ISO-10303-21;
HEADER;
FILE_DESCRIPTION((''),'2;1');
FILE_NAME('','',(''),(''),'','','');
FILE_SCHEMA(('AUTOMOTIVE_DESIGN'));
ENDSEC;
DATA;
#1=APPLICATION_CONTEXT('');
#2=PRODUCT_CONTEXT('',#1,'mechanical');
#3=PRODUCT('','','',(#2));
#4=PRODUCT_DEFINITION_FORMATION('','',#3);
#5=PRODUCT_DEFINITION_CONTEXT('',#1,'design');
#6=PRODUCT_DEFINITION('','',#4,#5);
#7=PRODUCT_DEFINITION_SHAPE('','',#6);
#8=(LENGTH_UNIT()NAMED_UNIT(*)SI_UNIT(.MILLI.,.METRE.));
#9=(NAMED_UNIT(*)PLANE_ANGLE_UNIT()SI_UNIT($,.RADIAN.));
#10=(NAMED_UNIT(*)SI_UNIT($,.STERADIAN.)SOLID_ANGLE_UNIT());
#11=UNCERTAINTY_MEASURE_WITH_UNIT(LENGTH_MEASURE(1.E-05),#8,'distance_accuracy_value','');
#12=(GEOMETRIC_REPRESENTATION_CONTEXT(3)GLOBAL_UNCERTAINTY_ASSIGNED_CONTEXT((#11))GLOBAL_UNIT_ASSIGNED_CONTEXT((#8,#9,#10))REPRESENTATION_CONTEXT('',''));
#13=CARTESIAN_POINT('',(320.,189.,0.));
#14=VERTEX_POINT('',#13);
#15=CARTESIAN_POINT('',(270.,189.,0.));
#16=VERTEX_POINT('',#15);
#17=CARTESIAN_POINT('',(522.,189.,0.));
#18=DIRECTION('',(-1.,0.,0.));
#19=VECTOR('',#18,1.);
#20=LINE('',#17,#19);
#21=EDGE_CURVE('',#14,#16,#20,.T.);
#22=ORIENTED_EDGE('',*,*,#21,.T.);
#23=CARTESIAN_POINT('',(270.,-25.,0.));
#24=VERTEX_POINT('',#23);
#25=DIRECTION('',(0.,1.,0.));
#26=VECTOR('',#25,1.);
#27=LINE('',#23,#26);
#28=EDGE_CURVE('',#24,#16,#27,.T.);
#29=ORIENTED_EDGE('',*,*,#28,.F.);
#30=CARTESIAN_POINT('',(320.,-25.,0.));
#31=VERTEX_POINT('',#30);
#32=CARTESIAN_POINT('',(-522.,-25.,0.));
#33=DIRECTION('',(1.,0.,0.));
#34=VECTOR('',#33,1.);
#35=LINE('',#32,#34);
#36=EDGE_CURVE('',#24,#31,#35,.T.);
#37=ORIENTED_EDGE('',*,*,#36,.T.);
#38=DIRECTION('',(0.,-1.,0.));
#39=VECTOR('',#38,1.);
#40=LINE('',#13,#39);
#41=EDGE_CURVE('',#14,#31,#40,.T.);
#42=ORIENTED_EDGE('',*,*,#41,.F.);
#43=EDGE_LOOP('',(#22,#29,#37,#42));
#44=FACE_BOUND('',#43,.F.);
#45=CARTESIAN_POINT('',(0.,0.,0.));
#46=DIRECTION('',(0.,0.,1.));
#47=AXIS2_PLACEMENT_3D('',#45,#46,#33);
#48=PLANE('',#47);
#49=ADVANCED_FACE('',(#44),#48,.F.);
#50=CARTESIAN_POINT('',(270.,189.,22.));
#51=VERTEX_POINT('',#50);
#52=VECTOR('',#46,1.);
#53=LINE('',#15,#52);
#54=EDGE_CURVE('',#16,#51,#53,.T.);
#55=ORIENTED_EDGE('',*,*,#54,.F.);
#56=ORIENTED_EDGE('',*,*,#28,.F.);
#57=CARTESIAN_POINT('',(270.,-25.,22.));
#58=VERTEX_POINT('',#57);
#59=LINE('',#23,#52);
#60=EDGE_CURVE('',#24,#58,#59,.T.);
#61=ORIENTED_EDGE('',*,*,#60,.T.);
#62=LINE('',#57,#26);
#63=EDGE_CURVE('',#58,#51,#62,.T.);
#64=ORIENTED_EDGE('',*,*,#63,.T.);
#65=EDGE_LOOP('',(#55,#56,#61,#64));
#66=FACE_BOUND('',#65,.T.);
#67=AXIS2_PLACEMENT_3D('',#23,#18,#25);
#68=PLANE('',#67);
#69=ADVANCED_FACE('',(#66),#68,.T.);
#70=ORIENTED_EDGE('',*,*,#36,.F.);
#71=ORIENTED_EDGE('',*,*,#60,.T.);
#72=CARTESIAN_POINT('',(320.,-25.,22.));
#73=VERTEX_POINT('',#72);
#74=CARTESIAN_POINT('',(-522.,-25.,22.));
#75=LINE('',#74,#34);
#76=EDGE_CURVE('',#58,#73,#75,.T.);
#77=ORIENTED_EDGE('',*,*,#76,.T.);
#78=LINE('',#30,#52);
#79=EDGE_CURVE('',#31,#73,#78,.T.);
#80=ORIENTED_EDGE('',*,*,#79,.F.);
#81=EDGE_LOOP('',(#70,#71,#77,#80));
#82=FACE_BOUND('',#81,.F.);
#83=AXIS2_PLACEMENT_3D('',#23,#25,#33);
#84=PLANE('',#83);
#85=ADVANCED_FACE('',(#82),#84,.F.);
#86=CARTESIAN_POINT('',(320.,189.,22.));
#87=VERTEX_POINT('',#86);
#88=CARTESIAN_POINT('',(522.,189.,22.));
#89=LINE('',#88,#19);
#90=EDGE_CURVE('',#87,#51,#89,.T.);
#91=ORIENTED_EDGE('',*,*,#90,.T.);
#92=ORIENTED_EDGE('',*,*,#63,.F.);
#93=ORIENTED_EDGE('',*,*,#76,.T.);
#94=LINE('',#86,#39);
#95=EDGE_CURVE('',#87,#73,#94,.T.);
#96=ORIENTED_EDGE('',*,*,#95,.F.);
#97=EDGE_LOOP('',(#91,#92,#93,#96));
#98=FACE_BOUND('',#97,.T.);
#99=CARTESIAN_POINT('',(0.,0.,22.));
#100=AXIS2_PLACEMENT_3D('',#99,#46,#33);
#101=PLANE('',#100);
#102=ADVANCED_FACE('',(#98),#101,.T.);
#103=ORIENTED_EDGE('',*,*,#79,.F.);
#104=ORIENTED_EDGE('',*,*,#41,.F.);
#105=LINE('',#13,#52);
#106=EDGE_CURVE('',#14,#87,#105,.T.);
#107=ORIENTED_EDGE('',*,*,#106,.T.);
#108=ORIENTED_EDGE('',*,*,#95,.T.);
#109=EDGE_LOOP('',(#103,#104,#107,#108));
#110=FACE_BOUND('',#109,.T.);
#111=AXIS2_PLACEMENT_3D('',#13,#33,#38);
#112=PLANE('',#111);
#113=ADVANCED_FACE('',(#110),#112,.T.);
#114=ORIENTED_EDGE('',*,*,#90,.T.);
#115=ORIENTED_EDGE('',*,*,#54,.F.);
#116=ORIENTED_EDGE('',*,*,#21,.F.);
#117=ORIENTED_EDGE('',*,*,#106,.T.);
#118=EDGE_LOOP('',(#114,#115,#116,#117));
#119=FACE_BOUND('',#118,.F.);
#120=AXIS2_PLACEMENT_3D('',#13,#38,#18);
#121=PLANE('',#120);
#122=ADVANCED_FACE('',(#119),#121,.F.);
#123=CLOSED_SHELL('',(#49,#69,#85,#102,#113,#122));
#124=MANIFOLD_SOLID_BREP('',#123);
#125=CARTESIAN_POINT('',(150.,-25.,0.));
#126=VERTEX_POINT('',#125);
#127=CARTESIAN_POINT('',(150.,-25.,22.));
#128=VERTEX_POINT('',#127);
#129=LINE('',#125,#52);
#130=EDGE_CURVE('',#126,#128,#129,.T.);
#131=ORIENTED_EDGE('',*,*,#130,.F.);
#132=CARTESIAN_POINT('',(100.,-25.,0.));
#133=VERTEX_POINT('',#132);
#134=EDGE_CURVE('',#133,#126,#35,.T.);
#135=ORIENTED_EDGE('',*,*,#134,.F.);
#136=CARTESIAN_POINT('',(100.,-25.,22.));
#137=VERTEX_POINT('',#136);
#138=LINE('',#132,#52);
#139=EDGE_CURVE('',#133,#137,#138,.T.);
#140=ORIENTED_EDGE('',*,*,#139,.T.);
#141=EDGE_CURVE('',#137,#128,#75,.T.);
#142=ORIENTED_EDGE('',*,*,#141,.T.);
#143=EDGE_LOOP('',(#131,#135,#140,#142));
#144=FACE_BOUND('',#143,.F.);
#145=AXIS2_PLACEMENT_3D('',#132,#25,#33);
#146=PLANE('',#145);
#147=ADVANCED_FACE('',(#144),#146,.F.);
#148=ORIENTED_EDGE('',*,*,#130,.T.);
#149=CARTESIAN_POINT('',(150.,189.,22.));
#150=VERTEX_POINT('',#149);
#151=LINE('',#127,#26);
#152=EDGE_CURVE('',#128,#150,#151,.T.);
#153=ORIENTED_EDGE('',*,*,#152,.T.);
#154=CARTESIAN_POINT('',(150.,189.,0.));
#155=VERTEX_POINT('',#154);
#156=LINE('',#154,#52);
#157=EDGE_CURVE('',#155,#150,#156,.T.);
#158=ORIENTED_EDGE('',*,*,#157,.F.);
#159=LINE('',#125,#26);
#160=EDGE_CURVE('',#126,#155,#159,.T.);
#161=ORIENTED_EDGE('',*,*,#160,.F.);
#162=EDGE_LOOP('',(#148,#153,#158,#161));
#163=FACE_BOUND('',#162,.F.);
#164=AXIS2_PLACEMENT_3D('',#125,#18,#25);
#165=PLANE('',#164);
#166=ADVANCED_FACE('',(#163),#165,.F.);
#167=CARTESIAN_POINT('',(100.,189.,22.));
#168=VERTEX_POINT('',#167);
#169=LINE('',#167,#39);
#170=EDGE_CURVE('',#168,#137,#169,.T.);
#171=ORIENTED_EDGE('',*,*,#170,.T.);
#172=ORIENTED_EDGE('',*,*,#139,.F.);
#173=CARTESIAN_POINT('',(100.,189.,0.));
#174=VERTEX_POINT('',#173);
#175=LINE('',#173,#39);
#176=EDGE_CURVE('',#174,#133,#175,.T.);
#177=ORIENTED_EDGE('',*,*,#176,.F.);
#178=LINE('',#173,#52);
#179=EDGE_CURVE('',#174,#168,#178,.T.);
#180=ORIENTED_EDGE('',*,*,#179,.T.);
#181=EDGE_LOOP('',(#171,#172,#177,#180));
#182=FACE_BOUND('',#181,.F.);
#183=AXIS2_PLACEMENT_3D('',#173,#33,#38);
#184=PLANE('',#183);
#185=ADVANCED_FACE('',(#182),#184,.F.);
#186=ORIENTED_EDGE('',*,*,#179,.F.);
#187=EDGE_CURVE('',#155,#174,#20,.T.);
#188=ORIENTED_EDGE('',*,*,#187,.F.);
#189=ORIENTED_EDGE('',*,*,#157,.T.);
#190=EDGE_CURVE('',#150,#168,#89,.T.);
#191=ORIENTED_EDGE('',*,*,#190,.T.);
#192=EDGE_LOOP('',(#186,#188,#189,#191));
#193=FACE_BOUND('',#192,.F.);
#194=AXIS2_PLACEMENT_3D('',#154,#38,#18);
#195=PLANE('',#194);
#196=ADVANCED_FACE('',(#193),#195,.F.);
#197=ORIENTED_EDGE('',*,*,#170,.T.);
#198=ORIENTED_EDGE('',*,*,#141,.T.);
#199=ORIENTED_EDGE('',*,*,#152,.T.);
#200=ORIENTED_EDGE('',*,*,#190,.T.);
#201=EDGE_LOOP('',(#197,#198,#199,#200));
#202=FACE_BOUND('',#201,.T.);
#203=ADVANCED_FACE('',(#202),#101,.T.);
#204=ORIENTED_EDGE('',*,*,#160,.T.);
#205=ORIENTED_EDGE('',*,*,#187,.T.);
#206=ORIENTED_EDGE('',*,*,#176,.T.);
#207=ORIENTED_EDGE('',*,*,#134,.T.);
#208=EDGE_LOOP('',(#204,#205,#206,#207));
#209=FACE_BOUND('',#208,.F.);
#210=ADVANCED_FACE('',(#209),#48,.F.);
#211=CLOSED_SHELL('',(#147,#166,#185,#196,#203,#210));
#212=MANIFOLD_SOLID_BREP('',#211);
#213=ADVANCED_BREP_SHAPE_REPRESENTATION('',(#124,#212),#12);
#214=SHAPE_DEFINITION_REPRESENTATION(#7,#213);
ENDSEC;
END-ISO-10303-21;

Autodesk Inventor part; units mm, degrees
ref_plane "YZ Plane" through (0, 0, 0) normal (1, 0, 0) x (0, 1, 0)
ref_plane "XZ Plane" through (0, 0, 0) normal (0, 1, 0) x (-1, 0, 0)
ref_plane "XY Plane" through (0, 0, 0) normal (0, 0, 1) x (1, 0, 0)
sketch "Sketch1" plane through (0, 0, 0) normal (0, 0, 1) x (1, 0, 0)
  line L0 (-522, -25) -> (522, -25) projected
  circle A0 centre (210, 82) radius 55 projected
  line L1 (522, 189) -> (-522, 189) projected
  line L2 (100, -25) -> (150, -25)
  line L3 (150, -25) -> (150, 189)
  line L4 (150, 189) -> (100, 189)
  line L5 (100, 189) -> (100, -25)
  line L6 (210, 82) -> (210, -25) construction
  line L7 (320, -25) -> (270, -25)
  line L8 (270, -25) -> (270, 189)
  line L9 (270, 189) -> (320, 189)
  line L10 (320, 189) -> (320, -25)
  point P0 (0, 0)
  dimension "d0" = 50
  dimension "d1" = 60
extrude "Extrusion1" add sketch "Sketch1" along normal blind 22 contours L5 L1 L3 L0 | L8 L1 L10 L0
properties part number "Fan_outlet_2"
